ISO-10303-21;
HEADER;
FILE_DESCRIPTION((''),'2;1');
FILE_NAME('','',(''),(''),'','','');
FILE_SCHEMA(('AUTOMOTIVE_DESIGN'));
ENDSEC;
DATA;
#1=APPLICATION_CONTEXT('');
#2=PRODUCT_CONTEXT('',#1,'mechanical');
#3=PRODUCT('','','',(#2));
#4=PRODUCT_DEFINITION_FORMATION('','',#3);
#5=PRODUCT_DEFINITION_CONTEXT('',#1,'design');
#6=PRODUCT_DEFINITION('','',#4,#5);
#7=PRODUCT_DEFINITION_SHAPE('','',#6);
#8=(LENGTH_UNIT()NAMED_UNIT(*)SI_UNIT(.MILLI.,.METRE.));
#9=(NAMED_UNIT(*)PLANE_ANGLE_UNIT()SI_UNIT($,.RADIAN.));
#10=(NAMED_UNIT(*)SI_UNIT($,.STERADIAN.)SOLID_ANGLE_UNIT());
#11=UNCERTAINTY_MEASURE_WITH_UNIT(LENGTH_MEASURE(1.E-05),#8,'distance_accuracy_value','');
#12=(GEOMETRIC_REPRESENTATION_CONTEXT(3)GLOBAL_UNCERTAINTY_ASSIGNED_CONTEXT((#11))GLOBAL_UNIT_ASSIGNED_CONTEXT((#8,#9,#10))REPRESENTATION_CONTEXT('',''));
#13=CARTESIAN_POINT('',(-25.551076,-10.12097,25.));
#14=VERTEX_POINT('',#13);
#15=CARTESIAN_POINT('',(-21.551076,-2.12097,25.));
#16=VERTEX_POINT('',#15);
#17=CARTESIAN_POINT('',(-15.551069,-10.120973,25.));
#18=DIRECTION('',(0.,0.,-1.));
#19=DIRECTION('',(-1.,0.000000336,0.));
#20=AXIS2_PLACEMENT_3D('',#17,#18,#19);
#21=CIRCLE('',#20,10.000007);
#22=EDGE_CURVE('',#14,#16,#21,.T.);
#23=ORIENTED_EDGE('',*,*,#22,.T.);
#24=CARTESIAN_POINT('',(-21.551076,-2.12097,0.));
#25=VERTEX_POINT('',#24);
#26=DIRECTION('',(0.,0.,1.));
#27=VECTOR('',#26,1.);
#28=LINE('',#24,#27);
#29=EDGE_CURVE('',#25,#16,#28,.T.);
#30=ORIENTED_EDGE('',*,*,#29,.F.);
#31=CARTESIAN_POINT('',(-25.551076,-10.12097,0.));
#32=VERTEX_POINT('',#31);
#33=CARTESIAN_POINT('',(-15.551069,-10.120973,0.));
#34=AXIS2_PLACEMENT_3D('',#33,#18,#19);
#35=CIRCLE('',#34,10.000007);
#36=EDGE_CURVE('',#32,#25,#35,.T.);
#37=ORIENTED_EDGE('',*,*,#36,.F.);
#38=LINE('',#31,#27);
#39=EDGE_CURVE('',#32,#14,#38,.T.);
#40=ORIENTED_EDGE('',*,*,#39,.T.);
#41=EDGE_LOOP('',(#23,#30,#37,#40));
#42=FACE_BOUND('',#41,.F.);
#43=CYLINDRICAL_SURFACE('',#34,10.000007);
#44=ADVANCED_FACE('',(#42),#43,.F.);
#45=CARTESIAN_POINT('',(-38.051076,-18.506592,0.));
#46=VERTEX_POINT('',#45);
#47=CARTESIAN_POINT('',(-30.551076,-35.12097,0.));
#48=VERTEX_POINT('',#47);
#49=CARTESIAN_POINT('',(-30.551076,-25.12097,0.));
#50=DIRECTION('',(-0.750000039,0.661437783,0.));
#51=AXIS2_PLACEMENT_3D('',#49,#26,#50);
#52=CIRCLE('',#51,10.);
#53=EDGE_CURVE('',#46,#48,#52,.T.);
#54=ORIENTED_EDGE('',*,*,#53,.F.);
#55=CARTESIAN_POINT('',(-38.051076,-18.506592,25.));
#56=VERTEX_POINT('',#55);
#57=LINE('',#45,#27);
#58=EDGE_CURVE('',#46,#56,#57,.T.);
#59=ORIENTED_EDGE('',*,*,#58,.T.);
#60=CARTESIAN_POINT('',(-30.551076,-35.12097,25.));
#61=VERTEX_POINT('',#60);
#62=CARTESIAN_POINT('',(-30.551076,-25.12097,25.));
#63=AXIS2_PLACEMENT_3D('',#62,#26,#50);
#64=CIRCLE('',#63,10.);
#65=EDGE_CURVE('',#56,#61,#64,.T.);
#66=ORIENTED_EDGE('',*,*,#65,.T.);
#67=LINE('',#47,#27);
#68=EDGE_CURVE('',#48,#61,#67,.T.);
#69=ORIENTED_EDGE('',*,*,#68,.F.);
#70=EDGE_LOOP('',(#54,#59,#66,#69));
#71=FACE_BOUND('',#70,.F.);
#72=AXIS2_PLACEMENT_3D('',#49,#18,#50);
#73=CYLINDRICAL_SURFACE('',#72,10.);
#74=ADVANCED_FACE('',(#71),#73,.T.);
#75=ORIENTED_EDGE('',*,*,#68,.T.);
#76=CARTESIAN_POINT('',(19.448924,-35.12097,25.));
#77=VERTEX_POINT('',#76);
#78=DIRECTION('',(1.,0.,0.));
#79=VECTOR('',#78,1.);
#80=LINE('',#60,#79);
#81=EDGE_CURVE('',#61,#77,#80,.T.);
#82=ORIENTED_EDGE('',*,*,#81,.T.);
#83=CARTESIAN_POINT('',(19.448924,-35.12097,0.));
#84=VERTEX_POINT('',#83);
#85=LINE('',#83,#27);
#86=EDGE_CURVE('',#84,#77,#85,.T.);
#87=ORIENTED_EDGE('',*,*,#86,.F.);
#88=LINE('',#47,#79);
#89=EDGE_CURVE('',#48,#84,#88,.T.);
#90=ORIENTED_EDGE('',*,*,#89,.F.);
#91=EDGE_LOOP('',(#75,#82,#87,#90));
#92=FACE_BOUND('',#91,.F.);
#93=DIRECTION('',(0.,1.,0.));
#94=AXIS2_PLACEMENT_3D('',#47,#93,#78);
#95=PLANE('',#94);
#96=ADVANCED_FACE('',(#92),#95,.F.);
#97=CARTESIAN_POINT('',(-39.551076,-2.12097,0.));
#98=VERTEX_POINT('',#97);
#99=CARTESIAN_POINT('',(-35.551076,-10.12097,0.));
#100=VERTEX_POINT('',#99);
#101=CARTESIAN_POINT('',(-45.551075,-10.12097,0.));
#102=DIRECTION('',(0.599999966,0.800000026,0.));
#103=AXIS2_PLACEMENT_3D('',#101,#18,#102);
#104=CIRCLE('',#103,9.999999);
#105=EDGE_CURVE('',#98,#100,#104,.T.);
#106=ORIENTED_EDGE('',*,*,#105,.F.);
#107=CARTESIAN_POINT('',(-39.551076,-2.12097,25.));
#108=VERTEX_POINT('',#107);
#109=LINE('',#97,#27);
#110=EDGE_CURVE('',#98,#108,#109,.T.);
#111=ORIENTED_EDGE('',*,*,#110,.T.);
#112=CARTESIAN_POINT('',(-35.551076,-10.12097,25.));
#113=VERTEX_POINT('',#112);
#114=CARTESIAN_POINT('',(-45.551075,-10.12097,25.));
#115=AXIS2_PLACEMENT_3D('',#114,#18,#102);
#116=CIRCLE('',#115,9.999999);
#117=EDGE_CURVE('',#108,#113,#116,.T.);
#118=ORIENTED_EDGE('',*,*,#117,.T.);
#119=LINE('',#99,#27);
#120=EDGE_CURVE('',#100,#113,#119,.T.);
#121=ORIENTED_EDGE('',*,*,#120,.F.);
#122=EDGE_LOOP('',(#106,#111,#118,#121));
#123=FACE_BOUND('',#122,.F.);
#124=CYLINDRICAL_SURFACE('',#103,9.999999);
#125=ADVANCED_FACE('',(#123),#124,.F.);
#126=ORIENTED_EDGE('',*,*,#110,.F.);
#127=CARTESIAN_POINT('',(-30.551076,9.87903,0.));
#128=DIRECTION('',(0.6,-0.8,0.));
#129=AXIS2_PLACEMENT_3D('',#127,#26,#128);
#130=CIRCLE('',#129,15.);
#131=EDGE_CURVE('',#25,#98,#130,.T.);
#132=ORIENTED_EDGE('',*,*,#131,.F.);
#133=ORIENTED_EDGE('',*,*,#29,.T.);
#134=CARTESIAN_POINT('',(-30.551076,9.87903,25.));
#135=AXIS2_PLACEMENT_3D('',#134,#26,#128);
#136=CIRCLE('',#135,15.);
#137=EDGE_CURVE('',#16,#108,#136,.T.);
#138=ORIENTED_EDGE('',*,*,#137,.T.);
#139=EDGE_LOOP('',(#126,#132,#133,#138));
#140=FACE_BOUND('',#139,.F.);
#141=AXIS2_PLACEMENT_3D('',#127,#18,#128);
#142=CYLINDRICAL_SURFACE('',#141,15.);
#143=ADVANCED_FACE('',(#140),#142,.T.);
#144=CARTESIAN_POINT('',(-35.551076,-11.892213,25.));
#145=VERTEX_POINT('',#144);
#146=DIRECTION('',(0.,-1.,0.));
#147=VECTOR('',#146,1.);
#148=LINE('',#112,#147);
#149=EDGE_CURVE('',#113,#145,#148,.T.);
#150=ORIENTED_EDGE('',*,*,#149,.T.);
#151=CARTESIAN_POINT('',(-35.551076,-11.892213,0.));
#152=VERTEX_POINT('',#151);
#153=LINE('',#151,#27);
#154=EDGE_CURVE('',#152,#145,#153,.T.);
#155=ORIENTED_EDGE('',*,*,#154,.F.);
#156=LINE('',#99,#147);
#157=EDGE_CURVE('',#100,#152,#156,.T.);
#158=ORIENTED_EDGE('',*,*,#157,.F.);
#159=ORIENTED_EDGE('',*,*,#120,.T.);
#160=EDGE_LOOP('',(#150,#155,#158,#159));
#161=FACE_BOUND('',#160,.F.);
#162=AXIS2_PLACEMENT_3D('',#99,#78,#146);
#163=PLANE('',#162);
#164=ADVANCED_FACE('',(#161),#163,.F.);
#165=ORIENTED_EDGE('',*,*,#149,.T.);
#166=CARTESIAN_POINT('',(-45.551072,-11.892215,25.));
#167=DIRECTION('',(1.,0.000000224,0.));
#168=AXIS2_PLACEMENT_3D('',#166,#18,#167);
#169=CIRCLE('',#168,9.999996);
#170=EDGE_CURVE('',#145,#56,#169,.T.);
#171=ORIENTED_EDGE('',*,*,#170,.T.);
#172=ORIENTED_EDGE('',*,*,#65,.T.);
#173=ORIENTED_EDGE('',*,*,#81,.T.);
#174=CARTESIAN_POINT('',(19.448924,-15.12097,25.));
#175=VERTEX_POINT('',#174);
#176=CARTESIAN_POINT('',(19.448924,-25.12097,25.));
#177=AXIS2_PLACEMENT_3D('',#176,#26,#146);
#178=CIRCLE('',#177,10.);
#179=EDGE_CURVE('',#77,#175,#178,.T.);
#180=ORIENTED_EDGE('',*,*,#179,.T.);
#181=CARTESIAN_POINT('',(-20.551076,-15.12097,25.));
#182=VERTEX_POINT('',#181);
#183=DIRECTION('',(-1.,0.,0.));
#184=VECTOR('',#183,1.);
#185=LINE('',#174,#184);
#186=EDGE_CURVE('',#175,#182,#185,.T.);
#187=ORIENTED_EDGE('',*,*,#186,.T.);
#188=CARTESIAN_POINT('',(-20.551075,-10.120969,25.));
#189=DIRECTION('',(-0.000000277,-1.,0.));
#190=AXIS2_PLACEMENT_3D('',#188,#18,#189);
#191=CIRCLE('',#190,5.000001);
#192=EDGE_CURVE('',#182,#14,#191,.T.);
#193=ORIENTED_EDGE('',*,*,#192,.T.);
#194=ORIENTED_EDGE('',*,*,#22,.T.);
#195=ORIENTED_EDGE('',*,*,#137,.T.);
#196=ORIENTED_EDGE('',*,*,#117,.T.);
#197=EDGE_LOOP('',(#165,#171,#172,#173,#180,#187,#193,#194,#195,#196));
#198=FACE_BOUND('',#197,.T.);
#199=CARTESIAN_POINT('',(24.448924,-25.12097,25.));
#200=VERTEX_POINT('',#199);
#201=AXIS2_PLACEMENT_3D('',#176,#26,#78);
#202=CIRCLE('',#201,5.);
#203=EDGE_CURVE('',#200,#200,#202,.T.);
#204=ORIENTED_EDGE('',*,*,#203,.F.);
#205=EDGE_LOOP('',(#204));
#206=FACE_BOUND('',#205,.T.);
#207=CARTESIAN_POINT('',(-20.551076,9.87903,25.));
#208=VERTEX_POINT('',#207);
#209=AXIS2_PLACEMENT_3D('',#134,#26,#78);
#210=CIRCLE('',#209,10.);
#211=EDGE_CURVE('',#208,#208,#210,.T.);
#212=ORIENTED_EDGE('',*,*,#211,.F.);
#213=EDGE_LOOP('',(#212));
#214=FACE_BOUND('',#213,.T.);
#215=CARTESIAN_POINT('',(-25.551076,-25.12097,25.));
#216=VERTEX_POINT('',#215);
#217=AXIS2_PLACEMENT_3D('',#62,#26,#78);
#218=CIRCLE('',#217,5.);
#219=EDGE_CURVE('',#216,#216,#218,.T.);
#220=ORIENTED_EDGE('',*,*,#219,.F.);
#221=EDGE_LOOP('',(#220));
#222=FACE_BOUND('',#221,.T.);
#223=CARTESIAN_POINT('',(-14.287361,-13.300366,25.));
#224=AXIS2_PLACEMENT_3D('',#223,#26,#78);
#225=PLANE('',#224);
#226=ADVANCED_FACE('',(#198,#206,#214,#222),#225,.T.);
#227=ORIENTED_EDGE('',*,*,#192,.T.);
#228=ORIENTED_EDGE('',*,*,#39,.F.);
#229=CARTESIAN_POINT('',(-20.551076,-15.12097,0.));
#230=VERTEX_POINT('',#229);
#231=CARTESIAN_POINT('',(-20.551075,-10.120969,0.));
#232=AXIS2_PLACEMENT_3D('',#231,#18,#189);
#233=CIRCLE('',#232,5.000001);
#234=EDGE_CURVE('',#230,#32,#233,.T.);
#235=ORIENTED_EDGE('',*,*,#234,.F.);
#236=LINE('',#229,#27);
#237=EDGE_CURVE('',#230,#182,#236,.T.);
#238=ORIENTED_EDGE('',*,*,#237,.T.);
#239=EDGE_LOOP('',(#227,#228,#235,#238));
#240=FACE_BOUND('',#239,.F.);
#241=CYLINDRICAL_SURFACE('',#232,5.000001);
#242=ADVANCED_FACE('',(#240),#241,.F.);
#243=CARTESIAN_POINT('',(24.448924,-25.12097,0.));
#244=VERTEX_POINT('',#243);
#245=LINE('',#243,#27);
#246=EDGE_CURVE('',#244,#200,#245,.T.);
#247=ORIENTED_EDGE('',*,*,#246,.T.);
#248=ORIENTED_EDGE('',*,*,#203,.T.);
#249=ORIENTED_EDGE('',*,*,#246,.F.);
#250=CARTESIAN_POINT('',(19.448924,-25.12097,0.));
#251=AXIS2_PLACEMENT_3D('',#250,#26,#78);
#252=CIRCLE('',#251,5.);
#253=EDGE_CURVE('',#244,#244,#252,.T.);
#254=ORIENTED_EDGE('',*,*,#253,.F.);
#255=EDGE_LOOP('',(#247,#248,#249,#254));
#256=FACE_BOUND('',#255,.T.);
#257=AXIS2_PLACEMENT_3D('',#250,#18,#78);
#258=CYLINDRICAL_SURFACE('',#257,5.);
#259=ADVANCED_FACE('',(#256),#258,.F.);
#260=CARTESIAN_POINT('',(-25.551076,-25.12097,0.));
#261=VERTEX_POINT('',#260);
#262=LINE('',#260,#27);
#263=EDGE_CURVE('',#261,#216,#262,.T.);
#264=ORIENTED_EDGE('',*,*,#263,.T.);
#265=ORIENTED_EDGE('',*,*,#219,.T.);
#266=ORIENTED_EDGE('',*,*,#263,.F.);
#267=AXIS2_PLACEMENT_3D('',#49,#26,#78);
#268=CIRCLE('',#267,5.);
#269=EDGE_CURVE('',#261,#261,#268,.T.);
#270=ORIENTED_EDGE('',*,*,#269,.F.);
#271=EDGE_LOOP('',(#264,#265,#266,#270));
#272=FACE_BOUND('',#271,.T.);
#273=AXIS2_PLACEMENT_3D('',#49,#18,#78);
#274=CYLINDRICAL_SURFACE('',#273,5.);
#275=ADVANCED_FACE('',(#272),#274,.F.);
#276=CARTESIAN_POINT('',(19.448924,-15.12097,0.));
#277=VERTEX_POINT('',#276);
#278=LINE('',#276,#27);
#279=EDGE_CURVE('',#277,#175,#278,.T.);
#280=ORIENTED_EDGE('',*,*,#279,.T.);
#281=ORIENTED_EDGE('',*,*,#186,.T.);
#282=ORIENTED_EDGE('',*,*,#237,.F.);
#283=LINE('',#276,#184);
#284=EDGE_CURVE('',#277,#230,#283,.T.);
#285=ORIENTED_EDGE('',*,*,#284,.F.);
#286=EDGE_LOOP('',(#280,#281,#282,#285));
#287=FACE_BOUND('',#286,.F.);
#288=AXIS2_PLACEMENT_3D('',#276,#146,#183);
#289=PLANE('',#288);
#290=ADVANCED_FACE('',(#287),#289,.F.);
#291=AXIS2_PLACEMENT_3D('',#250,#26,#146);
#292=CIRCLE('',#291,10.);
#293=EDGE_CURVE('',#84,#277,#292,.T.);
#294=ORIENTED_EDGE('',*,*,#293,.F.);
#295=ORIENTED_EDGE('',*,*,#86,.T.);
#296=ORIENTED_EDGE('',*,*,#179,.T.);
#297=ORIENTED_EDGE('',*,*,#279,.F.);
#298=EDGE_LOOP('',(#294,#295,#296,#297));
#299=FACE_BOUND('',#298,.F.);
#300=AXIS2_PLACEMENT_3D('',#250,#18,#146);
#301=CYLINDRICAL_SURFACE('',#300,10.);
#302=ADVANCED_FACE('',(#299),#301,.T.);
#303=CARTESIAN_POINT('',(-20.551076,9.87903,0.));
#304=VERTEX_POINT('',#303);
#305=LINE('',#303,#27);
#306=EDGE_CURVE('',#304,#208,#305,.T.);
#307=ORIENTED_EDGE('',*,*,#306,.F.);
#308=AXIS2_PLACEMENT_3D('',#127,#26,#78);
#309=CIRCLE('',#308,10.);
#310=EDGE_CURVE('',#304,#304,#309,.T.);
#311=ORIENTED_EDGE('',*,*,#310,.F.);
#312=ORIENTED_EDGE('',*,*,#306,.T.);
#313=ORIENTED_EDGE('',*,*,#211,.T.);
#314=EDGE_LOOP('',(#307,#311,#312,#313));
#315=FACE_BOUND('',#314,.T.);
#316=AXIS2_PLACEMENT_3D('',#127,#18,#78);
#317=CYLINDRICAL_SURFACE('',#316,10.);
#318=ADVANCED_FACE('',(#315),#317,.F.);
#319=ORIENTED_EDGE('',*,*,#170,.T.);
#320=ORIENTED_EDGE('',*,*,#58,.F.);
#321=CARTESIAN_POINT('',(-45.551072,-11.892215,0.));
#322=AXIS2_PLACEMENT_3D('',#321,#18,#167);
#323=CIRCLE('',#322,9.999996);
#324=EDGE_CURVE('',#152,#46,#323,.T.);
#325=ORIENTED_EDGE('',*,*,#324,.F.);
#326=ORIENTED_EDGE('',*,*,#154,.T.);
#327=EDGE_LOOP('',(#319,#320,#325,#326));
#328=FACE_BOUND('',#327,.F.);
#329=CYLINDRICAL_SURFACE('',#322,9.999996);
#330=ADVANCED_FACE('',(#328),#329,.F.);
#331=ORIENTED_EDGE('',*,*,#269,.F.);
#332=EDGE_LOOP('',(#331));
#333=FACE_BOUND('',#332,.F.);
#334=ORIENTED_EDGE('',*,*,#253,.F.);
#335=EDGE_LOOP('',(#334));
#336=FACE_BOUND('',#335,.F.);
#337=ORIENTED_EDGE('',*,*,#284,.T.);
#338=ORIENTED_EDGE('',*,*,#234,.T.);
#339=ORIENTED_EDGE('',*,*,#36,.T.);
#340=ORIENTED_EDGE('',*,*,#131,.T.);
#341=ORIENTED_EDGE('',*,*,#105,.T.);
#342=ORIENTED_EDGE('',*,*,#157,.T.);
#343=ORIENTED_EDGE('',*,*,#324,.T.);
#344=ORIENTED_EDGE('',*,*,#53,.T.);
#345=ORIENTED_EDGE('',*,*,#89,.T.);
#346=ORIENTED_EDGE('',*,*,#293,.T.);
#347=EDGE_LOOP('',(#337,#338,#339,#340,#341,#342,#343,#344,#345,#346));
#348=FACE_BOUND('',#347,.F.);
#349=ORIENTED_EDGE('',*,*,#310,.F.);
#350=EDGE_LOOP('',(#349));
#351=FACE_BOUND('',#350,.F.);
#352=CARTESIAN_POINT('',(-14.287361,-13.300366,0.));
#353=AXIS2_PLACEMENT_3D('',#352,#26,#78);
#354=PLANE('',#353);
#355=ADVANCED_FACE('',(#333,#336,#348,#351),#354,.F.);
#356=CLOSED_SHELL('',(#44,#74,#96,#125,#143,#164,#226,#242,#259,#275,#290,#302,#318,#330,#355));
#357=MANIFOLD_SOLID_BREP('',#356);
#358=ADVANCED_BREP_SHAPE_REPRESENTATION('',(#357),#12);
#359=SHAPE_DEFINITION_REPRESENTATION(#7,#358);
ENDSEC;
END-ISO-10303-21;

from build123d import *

# Parameters (mm, degrees)
F0_R     = 5
F0_R_2   = 10
F1_DEPTH = 25


with BuildPart() as f1:
    # F0 (on Top) → F1 (new body)
    with BuildSketch(Plane.XY):
        with BuildLine():
            Line((-30.551076, -35.12097), (19.448924, -35.12097))
            ThreePointArc((19.448924, -35.12097), (29.448924, -25.12097), (19.448924, -15.12097))
            Line((19.448924, -15.12097), (-20.551076, -15.12097))
            ThreePointArc((-20.551076, -15.12097), (-24.086609, -13.656504), (-25.551076, -10.12097))
            ThreePointArc((-25.551076, -10.12097), (-24.495347, -5.648834), (-21.551076, -2.12097))
            ThreePointArc((-21.551076, -2.12097), (-30.551076, 24.87903), (-39.551076, -2.12097))
            ThreePointArc((-39.551076, -2.12097), (-36.606804, -5.648834), (-35.551076, -10.12097))
            Line((-35.551076, -10.12097), (-35.551076, -11.892213))
            ThreePointArc((-35.551076, -11.892213), (-36.196932, -15.427747), (-38.051076, -18.506592))
            ThreePointArc((-38.051076, -18.506592), (-39.665454, -29.235348), (-30.551076, -35.12097))
        make_face()
        with Locations((-30.551076, -25.12097)):
            Circle(F0_R, mode=Mode.SUBTRACT)
        with Locations((19.448924, -25.12097)):
            Circle(F0_R, mode=Mode.SUBTRACT)
        with Locations((-30.551076, 9.87903)):
            Circle(F0_R_2, mode=Mode.SUBTRACT)
    extrude(amount=F1_DEPTH)


solid = f1.part
